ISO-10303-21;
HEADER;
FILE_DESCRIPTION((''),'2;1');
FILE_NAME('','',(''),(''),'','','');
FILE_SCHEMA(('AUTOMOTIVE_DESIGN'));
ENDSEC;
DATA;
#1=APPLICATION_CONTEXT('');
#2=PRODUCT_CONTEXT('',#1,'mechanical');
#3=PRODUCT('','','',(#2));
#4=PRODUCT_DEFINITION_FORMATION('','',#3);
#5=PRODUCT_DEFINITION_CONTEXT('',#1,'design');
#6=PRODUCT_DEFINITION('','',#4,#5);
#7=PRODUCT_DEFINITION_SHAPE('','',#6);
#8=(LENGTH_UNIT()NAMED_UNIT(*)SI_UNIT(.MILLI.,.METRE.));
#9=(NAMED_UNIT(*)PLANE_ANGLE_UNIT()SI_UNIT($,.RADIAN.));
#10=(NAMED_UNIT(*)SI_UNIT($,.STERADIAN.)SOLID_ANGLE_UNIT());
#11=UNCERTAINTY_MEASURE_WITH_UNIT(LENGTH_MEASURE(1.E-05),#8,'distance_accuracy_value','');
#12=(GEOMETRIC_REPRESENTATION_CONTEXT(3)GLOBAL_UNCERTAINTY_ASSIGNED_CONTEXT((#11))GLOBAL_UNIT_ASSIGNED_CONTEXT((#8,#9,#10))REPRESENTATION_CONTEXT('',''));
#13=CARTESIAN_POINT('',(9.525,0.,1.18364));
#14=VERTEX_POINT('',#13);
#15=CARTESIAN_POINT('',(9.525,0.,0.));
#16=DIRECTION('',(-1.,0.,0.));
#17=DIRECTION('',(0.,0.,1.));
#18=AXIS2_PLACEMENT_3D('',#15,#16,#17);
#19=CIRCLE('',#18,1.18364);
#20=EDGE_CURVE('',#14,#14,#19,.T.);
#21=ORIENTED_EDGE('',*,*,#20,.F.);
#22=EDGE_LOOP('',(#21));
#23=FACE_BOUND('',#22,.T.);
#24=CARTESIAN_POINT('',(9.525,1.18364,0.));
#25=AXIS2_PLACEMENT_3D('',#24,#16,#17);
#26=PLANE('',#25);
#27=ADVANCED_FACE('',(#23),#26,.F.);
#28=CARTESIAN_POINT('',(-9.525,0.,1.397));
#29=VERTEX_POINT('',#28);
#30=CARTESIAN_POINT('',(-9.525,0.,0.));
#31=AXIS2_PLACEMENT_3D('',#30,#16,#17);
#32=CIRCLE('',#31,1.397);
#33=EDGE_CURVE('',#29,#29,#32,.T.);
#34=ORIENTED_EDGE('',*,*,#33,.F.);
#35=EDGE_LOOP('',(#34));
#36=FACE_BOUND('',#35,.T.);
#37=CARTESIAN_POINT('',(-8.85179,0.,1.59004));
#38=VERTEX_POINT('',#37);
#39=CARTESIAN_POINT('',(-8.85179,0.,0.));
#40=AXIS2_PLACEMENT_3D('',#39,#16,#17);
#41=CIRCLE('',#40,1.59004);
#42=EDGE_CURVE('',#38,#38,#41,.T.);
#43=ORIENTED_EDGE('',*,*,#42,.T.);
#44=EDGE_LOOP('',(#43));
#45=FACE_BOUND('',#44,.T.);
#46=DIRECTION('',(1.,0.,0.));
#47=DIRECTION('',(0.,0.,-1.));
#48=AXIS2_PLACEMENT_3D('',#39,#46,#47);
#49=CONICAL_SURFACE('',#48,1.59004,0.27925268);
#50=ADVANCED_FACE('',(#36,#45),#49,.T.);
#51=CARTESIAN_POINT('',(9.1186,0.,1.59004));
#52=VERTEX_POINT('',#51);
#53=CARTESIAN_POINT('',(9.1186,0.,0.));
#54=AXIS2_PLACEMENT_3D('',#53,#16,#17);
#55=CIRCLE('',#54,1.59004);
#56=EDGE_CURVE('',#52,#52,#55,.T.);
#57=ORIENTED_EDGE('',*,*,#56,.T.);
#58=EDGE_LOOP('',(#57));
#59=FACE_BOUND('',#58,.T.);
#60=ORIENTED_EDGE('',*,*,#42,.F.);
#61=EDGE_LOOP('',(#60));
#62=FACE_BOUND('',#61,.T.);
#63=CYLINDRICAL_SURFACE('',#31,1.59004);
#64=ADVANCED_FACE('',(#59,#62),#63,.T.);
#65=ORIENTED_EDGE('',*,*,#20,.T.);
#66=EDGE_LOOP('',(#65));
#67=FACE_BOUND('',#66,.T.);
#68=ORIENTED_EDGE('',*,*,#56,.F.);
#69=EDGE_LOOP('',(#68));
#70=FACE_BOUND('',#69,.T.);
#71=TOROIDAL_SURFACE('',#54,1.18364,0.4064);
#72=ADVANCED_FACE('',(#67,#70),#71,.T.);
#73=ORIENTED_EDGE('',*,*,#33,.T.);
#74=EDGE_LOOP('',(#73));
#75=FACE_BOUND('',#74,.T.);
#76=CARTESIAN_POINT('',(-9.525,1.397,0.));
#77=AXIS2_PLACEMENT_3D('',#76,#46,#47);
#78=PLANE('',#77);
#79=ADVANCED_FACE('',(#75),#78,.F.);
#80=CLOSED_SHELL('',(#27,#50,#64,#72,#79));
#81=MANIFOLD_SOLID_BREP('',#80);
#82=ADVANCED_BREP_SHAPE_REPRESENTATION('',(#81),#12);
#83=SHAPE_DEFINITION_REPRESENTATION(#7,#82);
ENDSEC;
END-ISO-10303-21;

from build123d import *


with BuildPart() as part:
    # Sketch3 → Revolve1 (revolve)
    with BuildSketch(Plane.XY, mode=Mode.PRIVATE) as revolve1_sk:
        with BuildLine():
            Line((9.525, 1.18364), (9.525, 0))
            Line((9.525, 0), (-9.525, 0))
            Line((-9.525, 0), (-9.525, 1.397))
            Line((-9.525, 1.397), (-8.851789516, 1.59004))
            Line((-8.851789516, 1.59004), (9.1186, 1.59004))
            ThreePointArc((9.1186, 1.59004), (9.405968196, 1.471008196), (9.525, 1.18364))
        make_face()
    revolve(revolve1_sk.sketch.rotate(Axis((-9.525, 0, 0), (1, 0, 0)), 90), axis=Axis((-9.525, 0, 0), (1, 0, 0)))


solid = part.part
